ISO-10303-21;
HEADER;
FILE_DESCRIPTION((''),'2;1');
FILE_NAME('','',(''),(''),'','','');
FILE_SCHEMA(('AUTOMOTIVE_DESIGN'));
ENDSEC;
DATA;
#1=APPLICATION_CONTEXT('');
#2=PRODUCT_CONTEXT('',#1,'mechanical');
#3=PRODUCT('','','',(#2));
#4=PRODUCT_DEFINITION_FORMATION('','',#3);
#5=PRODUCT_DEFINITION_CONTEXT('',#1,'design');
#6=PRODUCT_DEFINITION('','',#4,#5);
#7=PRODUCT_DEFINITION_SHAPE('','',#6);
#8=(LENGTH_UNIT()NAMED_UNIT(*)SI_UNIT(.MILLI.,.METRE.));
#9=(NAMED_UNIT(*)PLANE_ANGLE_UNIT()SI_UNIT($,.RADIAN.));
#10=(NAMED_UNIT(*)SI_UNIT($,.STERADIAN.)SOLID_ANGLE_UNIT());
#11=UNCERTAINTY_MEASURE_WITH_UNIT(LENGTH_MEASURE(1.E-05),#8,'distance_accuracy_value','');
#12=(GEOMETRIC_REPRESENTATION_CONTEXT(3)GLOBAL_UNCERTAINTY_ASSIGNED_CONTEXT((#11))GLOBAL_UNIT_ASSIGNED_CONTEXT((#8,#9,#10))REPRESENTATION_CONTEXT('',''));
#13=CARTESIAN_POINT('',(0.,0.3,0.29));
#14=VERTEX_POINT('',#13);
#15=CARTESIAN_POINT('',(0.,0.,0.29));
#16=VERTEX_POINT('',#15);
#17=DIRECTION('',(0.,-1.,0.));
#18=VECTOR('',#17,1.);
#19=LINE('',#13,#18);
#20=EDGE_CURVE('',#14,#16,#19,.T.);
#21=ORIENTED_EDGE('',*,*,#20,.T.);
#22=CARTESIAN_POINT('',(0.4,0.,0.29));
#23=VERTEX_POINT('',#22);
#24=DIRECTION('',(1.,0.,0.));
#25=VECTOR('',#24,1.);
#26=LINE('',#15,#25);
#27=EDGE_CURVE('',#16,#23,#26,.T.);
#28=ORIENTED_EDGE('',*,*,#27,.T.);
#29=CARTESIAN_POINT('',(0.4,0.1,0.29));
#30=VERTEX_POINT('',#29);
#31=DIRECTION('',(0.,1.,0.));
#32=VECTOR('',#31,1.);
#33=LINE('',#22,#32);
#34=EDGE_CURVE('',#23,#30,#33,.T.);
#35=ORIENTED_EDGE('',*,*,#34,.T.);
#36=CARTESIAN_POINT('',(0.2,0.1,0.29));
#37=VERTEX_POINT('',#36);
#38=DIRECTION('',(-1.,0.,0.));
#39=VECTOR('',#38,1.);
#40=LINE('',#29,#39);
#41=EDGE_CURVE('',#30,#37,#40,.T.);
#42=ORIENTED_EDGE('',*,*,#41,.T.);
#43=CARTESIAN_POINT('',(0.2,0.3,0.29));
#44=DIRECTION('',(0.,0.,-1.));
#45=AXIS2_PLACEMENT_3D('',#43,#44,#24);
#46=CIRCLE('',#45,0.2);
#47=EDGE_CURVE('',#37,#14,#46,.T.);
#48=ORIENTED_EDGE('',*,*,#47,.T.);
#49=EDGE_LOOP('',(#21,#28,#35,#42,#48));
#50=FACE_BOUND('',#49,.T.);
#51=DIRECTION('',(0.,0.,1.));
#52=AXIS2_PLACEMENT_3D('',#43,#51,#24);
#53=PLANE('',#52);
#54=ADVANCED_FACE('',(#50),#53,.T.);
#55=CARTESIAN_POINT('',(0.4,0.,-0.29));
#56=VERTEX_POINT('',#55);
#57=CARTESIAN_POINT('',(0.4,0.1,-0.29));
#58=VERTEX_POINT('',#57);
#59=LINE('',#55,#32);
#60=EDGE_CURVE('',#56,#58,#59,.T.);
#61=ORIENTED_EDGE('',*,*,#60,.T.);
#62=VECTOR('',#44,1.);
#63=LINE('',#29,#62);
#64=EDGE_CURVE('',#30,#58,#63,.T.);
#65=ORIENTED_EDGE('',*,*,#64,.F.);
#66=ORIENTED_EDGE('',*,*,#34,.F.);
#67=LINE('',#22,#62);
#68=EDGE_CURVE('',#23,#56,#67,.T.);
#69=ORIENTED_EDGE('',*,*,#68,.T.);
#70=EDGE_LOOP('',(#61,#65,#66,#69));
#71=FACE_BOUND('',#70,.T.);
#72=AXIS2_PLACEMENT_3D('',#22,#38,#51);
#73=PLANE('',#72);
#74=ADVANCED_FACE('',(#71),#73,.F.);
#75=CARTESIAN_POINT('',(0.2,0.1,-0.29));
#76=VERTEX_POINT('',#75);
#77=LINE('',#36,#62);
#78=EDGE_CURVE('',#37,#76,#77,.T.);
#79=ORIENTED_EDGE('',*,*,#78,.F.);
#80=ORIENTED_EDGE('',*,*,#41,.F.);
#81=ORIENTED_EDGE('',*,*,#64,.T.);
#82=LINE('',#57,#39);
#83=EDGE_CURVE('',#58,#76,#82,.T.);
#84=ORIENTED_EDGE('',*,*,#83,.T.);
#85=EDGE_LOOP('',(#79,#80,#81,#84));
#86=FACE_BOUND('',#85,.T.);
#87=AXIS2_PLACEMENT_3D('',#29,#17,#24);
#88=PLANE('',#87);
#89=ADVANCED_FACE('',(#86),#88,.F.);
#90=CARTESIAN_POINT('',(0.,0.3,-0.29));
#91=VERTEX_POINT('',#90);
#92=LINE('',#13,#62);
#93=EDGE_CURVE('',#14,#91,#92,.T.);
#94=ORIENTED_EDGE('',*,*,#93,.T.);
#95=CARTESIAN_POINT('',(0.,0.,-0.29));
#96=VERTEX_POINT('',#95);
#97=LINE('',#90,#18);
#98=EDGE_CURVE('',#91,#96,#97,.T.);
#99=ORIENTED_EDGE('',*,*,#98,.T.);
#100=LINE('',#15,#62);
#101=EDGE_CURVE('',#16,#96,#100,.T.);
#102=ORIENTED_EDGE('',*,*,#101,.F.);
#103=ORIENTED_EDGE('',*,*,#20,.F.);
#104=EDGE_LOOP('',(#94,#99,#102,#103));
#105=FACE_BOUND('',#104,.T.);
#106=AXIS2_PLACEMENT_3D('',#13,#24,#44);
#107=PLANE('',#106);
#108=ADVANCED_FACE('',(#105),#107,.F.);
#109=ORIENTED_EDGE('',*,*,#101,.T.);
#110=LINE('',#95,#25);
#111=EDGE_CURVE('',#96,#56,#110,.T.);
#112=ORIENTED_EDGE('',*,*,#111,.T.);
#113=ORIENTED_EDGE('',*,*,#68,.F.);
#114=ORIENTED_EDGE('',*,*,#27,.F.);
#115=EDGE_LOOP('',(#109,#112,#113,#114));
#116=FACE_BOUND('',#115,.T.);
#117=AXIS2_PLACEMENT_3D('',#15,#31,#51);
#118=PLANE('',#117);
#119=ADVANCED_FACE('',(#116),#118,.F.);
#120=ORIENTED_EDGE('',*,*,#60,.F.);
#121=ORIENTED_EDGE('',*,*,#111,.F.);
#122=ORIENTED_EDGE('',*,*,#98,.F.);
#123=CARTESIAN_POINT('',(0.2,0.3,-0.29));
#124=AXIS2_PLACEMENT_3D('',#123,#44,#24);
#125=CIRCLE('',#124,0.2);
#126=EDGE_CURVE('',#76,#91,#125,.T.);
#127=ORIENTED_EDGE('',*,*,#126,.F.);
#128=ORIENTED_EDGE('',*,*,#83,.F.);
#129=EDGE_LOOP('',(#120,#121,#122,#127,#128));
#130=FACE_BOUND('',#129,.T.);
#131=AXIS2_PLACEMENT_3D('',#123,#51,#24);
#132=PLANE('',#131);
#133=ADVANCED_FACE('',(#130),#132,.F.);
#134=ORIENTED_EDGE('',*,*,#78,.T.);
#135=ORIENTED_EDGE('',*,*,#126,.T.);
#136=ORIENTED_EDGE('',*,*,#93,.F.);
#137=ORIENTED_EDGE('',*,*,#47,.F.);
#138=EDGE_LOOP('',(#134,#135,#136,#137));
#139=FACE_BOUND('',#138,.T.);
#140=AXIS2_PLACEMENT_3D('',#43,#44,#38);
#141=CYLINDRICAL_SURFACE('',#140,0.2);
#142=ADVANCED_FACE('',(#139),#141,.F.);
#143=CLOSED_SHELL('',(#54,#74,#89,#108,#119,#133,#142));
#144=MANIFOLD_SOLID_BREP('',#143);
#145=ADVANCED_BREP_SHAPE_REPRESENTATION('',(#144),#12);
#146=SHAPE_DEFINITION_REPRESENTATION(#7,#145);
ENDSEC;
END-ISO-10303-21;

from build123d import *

# Parameters (mm, degrees)
BOSS_EXTRUDE1_DEPTH = 0.29


with BuildPart() as part:
    # Sketch1 → Boss-Extrude1 (new, symmetric)
    with BuildSketch(Plane.XY):
        with BuildLine():
            Line((0, 0), (0.4, 0))
            Line((0.4, 0), (0.4, 0.1))
            Line((0.4, 0.1), (0.2, 0.1))
            ThreePointArc((0.2, 0.1), (0.058578644, 0.158578644), (0, 0.3))
            Line((0, 0.3), (0, 0))
        make_face()
    extrude(amount=BOSS_EXTRUDE1_DEPTH, both=True)


solid = part.part
